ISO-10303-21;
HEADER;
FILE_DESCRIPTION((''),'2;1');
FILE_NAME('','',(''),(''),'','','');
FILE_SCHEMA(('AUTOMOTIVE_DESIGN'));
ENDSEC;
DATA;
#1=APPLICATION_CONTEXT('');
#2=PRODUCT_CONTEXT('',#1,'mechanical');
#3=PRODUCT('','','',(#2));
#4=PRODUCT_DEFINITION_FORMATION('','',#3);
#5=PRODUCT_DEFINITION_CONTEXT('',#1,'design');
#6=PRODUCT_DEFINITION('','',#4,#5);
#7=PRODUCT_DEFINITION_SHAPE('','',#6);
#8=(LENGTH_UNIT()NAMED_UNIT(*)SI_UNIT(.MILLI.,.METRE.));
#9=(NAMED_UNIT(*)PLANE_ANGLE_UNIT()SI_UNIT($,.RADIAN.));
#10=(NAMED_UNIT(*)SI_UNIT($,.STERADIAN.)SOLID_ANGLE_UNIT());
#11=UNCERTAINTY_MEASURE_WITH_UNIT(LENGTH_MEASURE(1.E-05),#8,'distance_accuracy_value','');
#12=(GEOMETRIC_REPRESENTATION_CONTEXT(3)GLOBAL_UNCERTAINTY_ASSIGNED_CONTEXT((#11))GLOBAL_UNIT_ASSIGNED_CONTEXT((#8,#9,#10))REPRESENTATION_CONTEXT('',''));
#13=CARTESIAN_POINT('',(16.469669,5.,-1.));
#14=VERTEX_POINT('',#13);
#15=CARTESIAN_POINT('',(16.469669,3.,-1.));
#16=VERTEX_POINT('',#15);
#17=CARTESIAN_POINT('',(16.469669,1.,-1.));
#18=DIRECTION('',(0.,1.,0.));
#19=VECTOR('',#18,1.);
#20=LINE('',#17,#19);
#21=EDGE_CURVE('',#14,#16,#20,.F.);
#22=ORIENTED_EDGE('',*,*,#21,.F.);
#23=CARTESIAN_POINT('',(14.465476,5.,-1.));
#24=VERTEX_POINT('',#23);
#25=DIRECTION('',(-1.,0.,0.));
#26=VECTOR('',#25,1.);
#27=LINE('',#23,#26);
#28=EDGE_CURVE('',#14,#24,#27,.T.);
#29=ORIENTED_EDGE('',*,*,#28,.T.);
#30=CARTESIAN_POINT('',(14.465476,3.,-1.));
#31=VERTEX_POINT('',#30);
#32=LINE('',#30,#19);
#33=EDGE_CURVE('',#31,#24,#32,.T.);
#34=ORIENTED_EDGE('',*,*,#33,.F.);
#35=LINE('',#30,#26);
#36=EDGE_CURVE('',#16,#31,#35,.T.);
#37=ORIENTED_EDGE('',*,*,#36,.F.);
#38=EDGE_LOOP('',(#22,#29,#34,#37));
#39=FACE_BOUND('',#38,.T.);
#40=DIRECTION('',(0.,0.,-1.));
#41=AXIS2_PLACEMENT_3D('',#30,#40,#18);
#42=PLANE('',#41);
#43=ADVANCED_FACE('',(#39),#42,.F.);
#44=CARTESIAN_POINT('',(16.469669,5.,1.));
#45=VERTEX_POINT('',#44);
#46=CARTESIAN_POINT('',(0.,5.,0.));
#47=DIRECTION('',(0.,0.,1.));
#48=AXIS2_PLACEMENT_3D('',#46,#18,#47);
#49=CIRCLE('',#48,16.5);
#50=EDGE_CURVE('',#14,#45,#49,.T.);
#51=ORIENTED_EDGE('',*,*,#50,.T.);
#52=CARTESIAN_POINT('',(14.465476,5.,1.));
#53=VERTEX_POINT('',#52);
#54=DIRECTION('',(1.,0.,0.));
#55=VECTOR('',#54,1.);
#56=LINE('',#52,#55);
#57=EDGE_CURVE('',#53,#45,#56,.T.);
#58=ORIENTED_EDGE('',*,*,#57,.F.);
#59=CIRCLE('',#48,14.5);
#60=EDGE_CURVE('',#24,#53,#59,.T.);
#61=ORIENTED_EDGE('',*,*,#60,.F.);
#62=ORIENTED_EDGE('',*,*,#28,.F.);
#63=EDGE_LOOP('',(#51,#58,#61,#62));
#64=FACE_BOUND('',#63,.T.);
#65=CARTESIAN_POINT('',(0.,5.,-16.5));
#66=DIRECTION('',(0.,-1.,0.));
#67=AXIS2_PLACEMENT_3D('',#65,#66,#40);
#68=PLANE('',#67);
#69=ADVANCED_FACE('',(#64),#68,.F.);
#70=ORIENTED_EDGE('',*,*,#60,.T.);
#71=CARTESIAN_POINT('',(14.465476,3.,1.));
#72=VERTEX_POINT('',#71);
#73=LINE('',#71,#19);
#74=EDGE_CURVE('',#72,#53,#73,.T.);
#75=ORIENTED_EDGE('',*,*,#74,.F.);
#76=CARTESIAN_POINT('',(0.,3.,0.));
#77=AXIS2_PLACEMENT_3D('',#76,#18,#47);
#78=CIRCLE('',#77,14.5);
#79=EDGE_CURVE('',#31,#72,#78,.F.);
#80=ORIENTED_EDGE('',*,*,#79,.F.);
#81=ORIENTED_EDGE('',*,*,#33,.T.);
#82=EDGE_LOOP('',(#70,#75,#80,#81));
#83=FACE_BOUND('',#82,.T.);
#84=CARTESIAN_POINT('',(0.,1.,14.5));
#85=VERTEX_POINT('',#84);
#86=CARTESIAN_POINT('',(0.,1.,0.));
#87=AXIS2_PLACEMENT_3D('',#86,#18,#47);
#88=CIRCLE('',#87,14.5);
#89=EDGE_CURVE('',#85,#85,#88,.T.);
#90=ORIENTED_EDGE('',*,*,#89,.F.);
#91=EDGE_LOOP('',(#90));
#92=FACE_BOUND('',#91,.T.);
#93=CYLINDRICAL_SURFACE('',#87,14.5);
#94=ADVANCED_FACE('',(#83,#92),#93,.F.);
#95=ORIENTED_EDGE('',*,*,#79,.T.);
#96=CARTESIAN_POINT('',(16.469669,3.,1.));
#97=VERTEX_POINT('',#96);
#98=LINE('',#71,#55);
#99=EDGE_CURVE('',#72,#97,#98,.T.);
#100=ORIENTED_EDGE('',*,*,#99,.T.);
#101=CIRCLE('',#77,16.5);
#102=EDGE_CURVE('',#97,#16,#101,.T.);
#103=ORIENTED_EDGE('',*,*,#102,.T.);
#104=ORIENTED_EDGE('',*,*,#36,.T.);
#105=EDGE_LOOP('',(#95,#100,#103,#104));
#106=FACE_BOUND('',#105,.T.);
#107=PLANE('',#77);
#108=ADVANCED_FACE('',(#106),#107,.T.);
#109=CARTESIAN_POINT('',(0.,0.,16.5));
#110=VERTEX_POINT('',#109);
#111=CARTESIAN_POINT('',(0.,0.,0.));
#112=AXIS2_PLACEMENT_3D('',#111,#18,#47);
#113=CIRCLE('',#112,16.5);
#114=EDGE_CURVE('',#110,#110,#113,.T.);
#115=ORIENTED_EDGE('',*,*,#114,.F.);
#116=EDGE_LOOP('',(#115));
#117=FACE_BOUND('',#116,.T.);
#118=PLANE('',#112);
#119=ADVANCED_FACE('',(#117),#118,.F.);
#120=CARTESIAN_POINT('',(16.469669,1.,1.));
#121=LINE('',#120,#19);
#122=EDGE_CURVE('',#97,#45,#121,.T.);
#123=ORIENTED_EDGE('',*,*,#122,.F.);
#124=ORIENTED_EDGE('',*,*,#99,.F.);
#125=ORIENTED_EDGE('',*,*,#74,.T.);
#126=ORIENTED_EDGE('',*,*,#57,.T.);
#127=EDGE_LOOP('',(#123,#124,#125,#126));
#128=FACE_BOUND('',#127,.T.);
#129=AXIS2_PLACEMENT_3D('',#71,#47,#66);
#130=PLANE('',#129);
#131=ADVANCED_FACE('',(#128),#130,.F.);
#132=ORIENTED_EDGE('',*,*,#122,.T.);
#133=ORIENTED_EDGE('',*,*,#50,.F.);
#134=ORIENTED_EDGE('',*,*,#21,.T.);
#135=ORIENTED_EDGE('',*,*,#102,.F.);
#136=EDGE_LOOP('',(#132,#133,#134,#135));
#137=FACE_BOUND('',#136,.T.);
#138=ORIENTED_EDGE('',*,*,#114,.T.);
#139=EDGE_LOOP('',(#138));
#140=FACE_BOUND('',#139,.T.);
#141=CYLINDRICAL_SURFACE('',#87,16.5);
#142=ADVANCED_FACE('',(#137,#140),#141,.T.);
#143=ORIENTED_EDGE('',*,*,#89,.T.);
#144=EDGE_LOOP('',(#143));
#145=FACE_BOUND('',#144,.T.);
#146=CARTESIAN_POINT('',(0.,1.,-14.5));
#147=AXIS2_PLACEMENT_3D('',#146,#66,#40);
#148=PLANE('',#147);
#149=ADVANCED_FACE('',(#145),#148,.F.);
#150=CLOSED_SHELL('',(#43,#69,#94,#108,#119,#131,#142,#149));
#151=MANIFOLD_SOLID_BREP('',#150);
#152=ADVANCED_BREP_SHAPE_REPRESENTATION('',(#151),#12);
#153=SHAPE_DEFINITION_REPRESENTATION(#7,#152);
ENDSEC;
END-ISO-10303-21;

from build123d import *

# Parameters (mm, degrees)
SKETCH_2_W          = 2.034523859
SKETCH_2_H          = 2
CUT_EXTRUDE_1_DEPTH = 2


with BuildPart() as part:
    # Эскиз1 → Повернуть1 (revolve)
    with BuildSketch(Plane(origin=(0, 0, 0), x_dir=(0, 0, -1), z_dir=(1, 0, 0))):
        Polygon((0, 0), (16.5, 0), (16.5, 5), (14.5, 5), (14.5, 1), (0, 1), align=None)
    revolve(axis=Axis((0, 1, 0), (0, -1, 0)))

    # Эскиз2 → Вырез-Вытянуть1 (cut)
    with BuildSketch(Plane(origin=(0, 5, 0), x_dir=(1, 0, 0), z_dir=(0, 1, 0))):
        with Locations((15.482738071, 0)):
            Rectangle(SKETCH_2_W, SKETCH_2_H)
    extrude(amount=-CUT_EXTRUDE_1_DEPTH, mode=Mode.SUBTRACT)


solid = part.part
